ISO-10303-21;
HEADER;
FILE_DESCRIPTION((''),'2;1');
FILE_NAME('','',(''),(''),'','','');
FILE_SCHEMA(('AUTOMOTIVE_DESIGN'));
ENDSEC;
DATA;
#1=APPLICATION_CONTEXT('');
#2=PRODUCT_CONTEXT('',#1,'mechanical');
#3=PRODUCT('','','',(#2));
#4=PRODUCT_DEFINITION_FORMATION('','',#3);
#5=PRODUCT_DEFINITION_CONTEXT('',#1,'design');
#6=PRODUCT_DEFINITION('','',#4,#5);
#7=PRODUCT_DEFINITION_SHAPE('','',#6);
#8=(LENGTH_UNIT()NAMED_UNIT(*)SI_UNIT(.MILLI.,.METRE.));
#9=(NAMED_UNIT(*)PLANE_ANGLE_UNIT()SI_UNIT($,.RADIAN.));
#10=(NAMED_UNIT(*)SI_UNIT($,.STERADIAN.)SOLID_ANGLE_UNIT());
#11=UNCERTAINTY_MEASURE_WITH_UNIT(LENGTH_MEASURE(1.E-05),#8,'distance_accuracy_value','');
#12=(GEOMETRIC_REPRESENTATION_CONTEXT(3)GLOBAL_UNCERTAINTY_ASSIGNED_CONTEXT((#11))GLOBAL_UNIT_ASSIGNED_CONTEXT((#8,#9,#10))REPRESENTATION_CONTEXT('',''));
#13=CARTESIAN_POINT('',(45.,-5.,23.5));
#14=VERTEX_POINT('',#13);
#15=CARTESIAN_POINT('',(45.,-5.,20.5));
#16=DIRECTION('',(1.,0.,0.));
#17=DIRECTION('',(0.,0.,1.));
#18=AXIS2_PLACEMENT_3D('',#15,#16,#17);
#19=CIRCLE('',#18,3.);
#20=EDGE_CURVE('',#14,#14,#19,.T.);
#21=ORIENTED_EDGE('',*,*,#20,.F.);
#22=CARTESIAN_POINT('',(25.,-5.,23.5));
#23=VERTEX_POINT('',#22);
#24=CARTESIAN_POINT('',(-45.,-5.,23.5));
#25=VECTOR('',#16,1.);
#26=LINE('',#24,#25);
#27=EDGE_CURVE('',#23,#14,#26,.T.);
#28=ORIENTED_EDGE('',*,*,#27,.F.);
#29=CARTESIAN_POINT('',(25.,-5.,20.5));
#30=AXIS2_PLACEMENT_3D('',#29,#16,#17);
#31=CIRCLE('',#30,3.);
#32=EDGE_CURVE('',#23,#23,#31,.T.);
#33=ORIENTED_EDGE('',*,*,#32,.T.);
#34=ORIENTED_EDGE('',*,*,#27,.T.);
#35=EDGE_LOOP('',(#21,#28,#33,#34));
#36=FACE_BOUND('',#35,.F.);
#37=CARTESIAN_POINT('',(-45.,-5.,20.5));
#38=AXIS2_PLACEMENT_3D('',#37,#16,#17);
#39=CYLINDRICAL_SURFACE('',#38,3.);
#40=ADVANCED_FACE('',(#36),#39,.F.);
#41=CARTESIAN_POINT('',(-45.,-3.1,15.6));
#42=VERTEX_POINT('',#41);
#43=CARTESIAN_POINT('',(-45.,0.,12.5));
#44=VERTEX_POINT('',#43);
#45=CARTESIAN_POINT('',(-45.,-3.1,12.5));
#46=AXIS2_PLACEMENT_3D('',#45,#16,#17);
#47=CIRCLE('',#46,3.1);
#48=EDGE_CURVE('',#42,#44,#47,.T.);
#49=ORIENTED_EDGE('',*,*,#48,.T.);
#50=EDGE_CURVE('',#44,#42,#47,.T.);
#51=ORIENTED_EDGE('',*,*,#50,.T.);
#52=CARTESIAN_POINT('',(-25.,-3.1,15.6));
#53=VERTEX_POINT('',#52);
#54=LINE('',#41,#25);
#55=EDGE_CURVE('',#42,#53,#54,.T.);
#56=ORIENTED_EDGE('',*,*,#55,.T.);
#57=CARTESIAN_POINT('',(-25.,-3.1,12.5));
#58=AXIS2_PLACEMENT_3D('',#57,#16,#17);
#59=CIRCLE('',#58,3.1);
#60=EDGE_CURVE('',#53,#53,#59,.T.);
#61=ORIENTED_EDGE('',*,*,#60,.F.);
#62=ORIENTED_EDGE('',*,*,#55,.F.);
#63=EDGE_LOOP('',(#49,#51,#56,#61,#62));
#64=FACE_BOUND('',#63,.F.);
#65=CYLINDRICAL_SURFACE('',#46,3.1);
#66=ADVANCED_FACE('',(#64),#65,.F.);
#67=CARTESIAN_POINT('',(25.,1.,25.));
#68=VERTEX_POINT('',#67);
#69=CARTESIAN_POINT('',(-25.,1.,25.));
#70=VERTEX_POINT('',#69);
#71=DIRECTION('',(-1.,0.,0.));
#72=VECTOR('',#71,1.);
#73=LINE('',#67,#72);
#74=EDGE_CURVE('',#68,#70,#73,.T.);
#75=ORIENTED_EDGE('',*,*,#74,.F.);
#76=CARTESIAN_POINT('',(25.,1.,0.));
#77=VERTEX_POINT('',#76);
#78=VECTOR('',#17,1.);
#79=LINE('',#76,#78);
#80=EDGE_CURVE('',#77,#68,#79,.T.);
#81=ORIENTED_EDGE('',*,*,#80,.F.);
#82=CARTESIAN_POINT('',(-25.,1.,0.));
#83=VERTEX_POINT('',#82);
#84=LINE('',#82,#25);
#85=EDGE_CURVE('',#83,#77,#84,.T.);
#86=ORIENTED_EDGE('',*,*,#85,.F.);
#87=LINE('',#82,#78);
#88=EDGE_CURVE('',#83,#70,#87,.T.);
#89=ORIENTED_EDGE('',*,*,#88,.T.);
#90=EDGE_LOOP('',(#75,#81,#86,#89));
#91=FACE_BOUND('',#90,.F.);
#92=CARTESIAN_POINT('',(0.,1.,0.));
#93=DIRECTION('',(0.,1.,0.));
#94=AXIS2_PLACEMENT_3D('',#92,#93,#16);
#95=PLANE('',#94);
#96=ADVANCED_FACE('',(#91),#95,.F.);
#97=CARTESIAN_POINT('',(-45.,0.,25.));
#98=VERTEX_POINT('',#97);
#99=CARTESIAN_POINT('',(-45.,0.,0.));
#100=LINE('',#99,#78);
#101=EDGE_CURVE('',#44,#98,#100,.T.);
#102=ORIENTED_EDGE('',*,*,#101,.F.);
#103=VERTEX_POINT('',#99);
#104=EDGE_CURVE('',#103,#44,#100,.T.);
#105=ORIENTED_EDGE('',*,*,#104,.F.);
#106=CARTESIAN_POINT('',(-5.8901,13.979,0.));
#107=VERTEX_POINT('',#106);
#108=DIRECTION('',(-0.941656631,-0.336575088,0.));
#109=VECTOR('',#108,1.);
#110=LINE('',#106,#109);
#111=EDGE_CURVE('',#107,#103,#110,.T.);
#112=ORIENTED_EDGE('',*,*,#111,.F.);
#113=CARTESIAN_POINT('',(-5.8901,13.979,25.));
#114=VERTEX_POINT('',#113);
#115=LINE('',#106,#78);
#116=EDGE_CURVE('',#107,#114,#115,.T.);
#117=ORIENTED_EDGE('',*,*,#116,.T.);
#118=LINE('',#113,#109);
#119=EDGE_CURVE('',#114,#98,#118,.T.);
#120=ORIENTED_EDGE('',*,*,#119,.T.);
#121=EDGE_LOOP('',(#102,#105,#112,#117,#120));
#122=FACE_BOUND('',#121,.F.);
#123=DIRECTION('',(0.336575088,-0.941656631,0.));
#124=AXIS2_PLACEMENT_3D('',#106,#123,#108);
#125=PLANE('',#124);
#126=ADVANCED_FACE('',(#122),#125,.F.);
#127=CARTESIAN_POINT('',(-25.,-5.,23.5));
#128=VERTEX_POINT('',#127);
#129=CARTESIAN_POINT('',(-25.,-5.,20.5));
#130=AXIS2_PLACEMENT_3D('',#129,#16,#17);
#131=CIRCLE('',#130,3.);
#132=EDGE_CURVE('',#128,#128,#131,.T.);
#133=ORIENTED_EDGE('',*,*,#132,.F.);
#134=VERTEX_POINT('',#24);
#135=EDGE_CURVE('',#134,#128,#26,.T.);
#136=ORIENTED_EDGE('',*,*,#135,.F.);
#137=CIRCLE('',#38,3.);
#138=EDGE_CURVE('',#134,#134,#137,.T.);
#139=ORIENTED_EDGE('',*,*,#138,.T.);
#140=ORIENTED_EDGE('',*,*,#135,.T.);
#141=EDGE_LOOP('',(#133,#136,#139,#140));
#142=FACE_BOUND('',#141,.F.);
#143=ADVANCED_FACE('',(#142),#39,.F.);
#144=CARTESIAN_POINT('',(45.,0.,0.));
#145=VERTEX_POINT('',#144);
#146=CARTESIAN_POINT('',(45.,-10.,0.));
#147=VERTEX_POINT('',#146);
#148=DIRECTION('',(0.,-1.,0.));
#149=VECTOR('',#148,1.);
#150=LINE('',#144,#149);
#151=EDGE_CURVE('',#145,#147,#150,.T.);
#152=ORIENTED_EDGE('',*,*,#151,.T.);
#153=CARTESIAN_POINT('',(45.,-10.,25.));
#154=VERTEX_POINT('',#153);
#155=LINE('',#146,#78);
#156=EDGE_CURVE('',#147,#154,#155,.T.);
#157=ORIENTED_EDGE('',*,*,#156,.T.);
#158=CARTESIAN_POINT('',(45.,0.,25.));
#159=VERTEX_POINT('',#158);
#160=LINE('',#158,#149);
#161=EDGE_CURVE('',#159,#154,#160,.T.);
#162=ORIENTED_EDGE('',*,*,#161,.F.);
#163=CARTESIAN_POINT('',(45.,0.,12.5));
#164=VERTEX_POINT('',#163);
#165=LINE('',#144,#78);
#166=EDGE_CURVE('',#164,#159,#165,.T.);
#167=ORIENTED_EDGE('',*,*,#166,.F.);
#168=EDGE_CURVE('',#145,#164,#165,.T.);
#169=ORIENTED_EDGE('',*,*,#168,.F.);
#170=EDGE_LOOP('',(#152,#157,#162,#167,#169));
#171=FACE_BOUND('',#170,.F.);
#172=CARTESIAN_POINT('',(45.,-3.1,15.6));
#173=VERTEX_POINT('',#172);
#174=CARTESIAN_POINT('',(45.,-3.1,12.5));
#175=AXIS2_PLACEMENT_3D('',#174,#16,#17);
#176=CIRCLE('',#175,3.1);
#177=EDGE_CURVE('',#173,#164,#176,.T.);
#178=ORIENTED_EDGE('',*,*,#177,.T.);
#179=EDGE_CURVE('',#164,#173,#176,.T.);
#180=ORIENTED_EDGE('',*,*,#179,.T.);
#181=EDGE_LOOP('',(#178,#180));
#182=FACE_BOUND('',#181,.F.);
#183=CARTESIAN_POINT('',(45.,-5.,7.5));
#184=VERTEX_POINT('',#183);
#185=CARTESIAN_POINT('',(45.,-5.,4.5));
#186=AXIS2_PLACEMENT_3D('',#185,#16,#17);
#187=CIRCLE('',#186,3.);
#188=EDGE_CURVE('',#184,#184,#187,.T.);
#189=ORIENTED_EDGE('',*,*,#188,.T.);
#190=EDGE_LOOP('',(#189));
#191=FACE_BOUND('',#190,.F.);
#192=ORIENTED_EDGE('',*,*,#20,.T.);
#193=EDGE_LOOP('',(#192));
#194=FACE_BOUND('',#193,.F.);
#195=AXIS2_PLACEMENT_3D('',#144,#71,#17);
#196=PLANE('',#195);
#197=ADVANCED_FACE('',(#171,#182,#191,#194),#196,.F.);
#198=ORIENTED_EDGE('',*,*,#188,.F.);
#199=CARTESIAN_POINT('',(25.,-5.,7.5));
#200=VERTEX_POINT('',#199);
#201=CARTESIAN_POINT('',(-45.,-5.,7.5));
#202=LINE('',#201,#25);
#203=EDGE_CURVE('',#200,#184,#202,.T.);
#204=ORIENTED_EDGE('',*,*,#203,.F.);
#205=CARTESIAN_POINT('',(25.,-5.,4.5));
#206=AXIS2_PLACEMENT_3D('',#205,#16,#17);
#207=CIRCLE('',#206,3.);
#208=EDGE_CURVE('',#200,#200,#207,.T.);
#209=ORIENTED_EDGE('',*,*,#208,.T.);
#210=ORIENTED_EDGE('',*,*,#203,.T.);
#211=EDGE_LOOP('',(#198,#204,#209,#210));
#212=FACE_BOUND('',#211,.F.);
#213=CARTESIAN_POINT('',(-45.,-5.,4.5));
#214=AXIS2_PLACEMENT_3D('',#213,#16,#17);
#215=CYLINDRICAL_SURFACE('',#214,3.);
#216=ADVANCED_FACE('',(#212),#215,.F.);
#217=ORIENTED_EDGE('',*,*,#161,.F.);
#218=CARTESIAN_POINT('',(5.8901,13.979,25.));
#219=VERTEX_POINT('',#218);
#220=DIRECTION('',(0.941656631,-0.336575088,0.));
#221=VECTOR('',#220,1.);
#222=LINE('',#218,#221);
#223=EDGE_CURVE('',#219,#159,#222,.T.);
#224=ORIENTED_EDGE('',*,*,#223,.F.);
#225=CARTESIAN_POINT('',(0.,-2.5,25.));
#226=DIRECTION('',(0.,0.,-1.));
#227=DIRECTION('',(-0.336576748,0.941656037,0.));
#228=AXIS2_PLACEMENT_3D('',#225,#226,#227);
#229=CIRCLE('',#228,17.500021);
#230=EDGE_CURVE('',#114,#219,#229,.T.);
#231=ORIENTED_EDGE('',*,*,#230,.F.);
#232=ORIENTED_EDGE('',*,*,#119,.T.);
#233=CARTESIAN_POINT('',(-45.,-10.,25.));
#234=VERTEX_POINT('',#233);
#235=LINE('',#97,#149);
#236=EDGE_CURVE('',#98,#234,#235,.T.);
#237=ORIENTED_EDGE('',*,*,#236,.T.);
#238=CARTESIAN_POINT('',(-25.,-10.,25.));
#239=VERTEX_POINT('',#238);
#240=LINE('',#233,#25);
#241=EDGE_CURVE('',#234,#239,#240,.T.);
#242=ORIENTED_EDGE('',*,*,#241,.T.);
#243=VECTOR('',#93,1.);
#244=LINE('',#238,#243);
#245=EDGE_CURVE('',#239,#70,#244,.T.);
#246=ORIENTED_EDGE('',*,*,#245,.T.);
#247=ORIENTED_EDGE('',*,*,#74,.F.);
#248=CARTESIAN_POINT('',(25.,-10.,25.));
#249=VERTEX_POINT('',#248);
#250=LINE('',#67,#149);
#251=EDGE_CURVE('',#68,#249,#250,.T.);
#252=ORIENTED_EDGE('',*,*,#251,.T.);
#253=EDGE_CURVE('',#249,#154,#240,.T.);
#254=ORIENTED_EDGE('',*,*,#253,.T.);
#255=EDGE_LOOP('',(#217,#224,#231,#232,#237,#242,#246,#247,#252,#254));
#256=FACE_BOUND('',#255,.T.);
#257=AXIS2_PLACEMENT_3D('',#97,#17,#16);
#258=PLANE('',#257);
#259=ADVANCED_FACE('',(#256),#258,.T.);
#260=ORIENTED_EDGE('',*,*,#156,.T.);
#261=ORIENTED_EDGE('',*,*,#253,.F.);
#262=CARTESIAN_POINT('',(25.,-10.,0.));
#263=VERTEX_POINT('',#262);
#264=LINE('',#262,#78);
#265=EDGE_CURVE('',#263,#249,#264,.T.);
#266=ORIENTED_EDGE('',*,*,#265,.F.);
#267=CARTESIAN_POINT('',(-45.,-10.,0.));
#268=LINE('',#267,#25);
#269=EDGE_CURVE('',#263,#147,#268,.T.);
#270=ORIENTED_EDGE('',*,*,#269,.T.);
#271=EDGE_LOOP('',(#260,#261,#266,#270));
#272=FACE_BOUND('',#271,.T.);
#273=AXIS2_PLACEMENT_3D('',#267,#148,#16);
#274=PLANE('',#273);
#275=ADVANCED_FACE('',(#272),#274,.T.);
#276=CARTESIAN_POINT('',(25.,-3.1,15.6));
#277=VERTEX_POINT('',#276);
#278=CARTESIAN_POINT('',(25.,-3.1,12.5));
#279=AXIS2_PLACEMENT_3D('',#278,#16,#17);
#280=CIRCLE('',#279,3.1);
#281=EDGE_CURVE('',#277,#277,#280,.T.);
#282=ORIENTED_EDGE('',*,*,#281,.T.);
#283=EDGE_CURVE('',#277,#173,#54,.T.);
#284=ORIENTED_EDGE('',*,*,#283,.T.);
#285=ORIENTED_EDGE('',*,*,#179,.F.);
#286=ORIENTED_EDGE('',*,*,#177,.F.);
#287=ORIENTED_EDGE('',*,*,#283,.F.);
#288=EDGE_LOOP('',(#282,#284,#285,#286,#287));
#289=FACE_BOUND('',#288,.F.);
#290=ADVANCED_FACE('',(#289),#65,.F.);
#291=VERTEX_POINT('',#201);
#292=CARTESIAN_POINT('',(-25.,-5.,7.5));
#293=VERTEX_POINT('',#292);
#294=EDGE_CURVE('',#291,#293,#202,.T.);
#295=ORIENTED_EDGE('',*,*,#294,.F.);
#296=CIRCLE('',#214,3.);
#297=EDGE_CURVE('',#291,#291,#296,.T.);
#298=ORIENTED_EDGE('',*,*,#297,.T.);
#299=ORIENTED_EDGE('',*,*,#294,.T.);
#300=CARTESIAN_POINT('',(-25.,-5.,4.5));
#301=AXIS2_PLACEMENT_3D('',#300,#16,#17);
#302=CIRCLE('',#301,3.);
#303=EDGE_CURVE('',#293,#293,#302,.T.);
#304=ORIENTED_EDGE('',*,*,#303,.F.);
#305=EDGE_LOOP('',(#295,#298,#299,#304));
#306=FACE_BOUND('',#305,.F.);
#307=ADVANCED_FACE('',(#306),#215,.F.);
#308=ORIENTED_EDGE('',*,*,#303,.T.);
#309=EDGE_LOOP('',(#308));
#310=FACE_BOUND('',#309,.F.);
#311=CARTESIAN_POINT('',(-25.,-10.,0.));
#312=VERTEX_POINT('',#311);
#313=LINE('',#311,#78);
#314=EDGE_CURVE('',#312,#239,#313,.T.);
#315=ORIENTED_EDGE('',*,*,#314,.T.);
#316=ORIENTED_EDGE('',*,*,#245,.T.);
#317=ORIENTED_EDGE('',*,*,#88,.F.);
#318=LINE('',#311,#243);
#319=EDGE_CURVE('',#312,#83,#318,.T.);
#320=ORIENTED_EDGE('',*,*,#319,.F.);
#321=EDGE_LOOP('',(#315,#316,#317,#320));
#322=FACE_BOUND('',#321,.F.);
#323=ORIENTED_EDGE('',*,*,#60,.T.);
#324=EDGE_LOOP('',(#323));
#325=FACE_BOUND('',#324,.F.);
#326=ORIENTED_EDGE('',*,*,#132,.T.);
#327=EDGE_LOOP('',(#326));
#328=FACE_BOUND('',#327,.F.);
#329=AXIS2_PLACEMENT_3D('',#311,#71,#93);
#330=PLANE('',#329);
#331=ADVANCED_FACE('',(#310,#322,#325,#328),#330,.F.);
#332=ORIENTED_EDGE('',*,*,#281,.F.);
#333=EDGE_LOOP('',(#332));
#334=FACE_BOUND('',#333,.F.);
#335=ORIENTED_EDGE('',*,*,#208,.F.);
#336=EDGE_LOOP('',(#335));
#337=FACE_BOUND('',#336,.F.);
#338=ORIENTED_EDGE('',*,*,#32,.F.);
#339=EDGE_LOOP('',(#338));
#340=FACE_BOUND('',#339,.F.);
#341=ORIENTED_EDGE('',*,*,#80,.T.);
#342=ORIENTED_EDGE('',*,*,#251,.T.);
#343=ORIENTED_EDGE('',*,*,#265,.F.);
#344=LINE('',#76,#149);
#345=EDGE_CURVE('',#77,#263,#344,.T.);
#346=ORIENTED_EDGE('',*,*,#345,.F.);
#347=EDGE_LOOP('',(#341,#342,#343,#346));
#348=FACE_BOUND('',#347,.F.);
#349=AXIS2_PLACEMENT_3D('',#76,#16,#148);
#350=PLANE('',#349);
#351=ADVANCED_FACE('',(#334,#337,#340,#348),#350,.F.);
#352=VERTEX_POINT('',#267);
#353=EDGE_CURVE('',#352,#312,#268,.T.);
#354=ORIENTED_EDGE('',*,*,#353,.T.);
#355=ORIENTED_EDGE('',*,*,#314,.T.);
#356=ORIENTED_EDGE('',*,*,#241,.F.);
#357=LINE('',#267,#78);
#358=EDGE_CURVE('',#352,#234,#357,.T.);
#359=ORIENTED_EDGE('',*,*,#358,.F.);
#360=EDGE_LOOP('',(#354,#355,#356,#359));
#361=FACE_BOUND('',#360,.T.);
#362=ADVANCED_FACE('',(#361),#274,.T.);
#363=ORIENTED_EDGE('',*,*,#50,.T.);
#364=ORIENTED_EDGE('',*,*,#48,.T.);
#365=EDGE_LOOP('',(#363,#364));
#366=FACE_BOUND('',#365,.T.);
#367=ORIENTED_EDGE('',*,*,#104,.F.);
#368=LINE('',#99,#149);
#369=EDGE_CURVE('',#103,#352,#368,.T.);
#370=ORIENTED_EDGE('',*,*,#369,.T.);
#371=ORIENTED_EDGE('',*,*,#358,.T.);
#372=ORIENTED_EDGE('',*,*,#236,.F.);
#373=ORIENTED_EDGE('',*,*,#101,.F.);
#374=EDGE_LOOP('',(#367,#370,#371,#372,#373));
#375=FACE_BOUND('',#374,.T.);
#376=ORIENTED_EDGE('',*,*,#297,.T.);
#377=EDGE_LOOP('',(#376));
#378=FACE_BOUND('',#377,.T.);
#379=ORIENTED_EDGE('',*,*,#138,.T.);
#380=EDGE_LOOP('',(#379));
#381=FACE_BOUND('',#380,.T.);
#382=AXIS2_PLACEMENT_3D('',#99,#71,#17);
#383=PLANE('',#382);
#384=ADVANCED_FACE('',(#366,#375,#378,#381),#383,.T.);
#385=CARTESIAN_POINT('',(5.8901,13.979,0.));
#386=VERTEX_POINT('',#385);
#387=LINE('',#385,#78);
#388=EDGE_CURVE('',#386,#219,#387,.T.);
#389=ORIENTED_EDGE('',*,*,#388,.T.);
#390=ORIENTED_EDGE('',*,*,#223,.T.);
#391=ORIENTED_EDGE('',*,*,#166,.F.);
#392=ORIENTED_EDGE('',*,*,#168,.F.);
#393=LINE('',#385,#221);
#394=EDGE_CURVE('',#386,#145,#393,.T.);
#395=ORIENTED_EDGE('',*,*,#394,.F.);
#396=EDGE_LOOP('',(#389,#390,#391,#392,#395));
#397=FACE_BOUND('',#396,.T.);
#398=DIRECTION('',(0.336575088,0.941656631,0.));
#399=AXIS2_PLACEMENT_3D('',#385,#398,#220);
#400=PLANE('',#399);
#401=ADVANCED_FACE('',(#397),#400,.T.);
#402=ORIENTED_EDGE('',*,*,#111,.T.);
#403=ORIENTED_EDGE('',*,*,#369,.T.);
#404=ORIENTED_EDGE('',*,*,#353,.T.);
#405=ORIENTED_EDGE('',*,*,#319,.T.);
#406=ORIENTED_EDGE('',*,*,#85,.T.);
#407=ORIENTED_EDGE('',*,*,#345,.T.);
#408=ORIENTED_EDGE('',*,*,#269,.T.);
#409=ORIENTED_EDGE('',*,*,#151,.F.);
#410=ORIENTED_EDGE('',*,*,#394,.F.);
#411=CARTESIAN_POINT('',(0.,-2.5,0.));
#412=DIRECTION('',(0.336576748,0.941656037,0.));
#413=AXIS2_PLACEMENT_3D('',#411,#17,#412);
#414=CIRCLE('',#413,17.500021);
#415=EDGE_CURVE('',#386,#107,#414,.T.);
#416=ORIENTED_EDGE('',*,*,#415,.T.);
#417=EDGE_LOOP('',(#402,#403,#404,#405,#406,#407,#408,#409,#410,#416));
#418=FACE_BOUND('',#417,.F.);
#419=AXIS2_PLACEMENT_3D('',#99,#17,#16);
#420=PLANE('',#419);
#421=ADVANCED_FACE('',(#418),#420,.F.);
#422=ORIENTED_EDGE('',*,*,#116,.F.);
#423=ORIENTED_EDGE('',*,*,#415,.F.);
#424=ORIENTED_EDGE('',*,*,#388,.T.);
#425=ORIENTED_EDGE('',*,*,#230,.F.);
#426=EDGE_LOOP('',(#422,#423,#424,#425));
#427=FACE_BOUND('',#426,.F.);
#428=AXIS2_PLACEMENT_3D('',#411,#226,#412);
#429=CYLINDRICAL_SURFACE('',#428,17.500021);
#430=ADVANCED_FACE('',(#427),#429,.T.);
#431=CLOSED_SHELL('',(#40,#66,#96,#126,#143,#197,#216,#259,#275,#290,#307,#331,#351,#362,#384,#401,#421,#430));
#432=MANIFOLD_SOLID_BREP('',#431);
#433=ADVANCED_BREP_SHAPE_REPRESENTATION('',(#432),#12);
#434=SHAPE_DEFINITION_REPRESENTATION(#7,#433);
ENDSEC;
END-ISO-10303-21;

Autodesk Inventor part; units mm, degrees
ref_plane "YZ Plane" through (0, 0, 0) normal (1, 0, 0) x (0, 1, 0)
ref_plane "XZ Plane" through (0, 0, 0) normal (0, 1, 0) x (-1, 0, 0)
ref_plane "XY Plane" through (0, 0, 0) normal (0, 0, 1) x (1, 0, 0)
sketch "Skizze1" plane through (0, 0, 0) normal (0, 0, 1) x (1, 0, 0)
  line L0 (-63, 0) -> (63, 0) projected
  line L1 (0, -6) -> (0, 18.5) projected
  arc A0 (5.8901, 13.979) -> (-5.8901, 13.979) centre (0, -2.5) ccw
  line L2 (-5.8901, 13.979) -> (-45, 0)
  line L3 (5.8901, 13.979) -> (45, 0)
  line L4 (-45, 0) -> (45, 0)
  dimension "d2" = 35
  dimension "d3" = 15
  dimension "d4" = 45
extrude "Extrusion1" add sketch "Skizze1" along normal blind 25
sketch "Skizze4" plane through (-45, 0, 0) normal (0, -1, 0) x (1, 0, 0)
  line L0 (0, 25) -> (90, 25) projected
  line L1 (0, 0) -> (0, 25) projected
  line L2 (90, 25) -> (0, 25)
  line L3 (0, 25) -> (0, 0)
  line L4 (0, 0) -> (90, 0)
  line L5 (90, 0) -> (90, 25)
  point P0 (45, 0)
extrude "Extrusion4" add sketch "Skizze4" along normal blind 10
sketch "Skizze5" plane through (-45, -10, 0) normal (-1, 0, 0) x (0, 0, 1)
  line L0 (25, 0) -> (0, 0) projected
  line L1 (0, 10) -> (0, 0) projected
  point P0 (4.5, 5)
  point P1 (20.5, 5)
  dimension "d17" = 5
  dimension "d18" = 5
  dimension "d19" = 25
  dimension "d20" = 16
  dimension "d21" = 4.5
hole "Bohrung1" at (-45, -5, 4.5) at (-45, -5, 20.5) direction (1, 0, 0) diameter 6 end through all
sketch "Skizze6" plane through (-45, -10, 0) normal (-1, 0, 0) x (0, 0, 1)
  line L0 (0, 10) -> (25, 10) projected
  line L1 (0, 23.979) -> (0, 10) projected
  point P0 (12.5, 6.9)
  dimension "d29" = 3.1
  dimension "d30" = 12.5
hole "Bohrung2" at (-45, -3.1, 12.5) direction (1, 0, 0) diameter 6.2 end through all
sketch "Skizze7" plane through (0, 0, 0) normal (0, 0, -1) x (-1, 0, 0)
  line L0 (0, -15) -> (0, 20) projected
  line L1 (45, -10) -> (-45, -10) projected
  line L2 (-25, -10) -> (25, -10)
  line L3 (25, -10) -> (25, 1)
  line L4 (25, 1) -> (-25, 1)
  line L5 (-25, 1) -> (-25, -10)
  point P0 (0, 0)
  dimension "d38" = 50
  dimension "d39" = 11
extrude "Extrusion5" cut sketch "Skizze7" against normal blind 25
properties part number "Schieber"
